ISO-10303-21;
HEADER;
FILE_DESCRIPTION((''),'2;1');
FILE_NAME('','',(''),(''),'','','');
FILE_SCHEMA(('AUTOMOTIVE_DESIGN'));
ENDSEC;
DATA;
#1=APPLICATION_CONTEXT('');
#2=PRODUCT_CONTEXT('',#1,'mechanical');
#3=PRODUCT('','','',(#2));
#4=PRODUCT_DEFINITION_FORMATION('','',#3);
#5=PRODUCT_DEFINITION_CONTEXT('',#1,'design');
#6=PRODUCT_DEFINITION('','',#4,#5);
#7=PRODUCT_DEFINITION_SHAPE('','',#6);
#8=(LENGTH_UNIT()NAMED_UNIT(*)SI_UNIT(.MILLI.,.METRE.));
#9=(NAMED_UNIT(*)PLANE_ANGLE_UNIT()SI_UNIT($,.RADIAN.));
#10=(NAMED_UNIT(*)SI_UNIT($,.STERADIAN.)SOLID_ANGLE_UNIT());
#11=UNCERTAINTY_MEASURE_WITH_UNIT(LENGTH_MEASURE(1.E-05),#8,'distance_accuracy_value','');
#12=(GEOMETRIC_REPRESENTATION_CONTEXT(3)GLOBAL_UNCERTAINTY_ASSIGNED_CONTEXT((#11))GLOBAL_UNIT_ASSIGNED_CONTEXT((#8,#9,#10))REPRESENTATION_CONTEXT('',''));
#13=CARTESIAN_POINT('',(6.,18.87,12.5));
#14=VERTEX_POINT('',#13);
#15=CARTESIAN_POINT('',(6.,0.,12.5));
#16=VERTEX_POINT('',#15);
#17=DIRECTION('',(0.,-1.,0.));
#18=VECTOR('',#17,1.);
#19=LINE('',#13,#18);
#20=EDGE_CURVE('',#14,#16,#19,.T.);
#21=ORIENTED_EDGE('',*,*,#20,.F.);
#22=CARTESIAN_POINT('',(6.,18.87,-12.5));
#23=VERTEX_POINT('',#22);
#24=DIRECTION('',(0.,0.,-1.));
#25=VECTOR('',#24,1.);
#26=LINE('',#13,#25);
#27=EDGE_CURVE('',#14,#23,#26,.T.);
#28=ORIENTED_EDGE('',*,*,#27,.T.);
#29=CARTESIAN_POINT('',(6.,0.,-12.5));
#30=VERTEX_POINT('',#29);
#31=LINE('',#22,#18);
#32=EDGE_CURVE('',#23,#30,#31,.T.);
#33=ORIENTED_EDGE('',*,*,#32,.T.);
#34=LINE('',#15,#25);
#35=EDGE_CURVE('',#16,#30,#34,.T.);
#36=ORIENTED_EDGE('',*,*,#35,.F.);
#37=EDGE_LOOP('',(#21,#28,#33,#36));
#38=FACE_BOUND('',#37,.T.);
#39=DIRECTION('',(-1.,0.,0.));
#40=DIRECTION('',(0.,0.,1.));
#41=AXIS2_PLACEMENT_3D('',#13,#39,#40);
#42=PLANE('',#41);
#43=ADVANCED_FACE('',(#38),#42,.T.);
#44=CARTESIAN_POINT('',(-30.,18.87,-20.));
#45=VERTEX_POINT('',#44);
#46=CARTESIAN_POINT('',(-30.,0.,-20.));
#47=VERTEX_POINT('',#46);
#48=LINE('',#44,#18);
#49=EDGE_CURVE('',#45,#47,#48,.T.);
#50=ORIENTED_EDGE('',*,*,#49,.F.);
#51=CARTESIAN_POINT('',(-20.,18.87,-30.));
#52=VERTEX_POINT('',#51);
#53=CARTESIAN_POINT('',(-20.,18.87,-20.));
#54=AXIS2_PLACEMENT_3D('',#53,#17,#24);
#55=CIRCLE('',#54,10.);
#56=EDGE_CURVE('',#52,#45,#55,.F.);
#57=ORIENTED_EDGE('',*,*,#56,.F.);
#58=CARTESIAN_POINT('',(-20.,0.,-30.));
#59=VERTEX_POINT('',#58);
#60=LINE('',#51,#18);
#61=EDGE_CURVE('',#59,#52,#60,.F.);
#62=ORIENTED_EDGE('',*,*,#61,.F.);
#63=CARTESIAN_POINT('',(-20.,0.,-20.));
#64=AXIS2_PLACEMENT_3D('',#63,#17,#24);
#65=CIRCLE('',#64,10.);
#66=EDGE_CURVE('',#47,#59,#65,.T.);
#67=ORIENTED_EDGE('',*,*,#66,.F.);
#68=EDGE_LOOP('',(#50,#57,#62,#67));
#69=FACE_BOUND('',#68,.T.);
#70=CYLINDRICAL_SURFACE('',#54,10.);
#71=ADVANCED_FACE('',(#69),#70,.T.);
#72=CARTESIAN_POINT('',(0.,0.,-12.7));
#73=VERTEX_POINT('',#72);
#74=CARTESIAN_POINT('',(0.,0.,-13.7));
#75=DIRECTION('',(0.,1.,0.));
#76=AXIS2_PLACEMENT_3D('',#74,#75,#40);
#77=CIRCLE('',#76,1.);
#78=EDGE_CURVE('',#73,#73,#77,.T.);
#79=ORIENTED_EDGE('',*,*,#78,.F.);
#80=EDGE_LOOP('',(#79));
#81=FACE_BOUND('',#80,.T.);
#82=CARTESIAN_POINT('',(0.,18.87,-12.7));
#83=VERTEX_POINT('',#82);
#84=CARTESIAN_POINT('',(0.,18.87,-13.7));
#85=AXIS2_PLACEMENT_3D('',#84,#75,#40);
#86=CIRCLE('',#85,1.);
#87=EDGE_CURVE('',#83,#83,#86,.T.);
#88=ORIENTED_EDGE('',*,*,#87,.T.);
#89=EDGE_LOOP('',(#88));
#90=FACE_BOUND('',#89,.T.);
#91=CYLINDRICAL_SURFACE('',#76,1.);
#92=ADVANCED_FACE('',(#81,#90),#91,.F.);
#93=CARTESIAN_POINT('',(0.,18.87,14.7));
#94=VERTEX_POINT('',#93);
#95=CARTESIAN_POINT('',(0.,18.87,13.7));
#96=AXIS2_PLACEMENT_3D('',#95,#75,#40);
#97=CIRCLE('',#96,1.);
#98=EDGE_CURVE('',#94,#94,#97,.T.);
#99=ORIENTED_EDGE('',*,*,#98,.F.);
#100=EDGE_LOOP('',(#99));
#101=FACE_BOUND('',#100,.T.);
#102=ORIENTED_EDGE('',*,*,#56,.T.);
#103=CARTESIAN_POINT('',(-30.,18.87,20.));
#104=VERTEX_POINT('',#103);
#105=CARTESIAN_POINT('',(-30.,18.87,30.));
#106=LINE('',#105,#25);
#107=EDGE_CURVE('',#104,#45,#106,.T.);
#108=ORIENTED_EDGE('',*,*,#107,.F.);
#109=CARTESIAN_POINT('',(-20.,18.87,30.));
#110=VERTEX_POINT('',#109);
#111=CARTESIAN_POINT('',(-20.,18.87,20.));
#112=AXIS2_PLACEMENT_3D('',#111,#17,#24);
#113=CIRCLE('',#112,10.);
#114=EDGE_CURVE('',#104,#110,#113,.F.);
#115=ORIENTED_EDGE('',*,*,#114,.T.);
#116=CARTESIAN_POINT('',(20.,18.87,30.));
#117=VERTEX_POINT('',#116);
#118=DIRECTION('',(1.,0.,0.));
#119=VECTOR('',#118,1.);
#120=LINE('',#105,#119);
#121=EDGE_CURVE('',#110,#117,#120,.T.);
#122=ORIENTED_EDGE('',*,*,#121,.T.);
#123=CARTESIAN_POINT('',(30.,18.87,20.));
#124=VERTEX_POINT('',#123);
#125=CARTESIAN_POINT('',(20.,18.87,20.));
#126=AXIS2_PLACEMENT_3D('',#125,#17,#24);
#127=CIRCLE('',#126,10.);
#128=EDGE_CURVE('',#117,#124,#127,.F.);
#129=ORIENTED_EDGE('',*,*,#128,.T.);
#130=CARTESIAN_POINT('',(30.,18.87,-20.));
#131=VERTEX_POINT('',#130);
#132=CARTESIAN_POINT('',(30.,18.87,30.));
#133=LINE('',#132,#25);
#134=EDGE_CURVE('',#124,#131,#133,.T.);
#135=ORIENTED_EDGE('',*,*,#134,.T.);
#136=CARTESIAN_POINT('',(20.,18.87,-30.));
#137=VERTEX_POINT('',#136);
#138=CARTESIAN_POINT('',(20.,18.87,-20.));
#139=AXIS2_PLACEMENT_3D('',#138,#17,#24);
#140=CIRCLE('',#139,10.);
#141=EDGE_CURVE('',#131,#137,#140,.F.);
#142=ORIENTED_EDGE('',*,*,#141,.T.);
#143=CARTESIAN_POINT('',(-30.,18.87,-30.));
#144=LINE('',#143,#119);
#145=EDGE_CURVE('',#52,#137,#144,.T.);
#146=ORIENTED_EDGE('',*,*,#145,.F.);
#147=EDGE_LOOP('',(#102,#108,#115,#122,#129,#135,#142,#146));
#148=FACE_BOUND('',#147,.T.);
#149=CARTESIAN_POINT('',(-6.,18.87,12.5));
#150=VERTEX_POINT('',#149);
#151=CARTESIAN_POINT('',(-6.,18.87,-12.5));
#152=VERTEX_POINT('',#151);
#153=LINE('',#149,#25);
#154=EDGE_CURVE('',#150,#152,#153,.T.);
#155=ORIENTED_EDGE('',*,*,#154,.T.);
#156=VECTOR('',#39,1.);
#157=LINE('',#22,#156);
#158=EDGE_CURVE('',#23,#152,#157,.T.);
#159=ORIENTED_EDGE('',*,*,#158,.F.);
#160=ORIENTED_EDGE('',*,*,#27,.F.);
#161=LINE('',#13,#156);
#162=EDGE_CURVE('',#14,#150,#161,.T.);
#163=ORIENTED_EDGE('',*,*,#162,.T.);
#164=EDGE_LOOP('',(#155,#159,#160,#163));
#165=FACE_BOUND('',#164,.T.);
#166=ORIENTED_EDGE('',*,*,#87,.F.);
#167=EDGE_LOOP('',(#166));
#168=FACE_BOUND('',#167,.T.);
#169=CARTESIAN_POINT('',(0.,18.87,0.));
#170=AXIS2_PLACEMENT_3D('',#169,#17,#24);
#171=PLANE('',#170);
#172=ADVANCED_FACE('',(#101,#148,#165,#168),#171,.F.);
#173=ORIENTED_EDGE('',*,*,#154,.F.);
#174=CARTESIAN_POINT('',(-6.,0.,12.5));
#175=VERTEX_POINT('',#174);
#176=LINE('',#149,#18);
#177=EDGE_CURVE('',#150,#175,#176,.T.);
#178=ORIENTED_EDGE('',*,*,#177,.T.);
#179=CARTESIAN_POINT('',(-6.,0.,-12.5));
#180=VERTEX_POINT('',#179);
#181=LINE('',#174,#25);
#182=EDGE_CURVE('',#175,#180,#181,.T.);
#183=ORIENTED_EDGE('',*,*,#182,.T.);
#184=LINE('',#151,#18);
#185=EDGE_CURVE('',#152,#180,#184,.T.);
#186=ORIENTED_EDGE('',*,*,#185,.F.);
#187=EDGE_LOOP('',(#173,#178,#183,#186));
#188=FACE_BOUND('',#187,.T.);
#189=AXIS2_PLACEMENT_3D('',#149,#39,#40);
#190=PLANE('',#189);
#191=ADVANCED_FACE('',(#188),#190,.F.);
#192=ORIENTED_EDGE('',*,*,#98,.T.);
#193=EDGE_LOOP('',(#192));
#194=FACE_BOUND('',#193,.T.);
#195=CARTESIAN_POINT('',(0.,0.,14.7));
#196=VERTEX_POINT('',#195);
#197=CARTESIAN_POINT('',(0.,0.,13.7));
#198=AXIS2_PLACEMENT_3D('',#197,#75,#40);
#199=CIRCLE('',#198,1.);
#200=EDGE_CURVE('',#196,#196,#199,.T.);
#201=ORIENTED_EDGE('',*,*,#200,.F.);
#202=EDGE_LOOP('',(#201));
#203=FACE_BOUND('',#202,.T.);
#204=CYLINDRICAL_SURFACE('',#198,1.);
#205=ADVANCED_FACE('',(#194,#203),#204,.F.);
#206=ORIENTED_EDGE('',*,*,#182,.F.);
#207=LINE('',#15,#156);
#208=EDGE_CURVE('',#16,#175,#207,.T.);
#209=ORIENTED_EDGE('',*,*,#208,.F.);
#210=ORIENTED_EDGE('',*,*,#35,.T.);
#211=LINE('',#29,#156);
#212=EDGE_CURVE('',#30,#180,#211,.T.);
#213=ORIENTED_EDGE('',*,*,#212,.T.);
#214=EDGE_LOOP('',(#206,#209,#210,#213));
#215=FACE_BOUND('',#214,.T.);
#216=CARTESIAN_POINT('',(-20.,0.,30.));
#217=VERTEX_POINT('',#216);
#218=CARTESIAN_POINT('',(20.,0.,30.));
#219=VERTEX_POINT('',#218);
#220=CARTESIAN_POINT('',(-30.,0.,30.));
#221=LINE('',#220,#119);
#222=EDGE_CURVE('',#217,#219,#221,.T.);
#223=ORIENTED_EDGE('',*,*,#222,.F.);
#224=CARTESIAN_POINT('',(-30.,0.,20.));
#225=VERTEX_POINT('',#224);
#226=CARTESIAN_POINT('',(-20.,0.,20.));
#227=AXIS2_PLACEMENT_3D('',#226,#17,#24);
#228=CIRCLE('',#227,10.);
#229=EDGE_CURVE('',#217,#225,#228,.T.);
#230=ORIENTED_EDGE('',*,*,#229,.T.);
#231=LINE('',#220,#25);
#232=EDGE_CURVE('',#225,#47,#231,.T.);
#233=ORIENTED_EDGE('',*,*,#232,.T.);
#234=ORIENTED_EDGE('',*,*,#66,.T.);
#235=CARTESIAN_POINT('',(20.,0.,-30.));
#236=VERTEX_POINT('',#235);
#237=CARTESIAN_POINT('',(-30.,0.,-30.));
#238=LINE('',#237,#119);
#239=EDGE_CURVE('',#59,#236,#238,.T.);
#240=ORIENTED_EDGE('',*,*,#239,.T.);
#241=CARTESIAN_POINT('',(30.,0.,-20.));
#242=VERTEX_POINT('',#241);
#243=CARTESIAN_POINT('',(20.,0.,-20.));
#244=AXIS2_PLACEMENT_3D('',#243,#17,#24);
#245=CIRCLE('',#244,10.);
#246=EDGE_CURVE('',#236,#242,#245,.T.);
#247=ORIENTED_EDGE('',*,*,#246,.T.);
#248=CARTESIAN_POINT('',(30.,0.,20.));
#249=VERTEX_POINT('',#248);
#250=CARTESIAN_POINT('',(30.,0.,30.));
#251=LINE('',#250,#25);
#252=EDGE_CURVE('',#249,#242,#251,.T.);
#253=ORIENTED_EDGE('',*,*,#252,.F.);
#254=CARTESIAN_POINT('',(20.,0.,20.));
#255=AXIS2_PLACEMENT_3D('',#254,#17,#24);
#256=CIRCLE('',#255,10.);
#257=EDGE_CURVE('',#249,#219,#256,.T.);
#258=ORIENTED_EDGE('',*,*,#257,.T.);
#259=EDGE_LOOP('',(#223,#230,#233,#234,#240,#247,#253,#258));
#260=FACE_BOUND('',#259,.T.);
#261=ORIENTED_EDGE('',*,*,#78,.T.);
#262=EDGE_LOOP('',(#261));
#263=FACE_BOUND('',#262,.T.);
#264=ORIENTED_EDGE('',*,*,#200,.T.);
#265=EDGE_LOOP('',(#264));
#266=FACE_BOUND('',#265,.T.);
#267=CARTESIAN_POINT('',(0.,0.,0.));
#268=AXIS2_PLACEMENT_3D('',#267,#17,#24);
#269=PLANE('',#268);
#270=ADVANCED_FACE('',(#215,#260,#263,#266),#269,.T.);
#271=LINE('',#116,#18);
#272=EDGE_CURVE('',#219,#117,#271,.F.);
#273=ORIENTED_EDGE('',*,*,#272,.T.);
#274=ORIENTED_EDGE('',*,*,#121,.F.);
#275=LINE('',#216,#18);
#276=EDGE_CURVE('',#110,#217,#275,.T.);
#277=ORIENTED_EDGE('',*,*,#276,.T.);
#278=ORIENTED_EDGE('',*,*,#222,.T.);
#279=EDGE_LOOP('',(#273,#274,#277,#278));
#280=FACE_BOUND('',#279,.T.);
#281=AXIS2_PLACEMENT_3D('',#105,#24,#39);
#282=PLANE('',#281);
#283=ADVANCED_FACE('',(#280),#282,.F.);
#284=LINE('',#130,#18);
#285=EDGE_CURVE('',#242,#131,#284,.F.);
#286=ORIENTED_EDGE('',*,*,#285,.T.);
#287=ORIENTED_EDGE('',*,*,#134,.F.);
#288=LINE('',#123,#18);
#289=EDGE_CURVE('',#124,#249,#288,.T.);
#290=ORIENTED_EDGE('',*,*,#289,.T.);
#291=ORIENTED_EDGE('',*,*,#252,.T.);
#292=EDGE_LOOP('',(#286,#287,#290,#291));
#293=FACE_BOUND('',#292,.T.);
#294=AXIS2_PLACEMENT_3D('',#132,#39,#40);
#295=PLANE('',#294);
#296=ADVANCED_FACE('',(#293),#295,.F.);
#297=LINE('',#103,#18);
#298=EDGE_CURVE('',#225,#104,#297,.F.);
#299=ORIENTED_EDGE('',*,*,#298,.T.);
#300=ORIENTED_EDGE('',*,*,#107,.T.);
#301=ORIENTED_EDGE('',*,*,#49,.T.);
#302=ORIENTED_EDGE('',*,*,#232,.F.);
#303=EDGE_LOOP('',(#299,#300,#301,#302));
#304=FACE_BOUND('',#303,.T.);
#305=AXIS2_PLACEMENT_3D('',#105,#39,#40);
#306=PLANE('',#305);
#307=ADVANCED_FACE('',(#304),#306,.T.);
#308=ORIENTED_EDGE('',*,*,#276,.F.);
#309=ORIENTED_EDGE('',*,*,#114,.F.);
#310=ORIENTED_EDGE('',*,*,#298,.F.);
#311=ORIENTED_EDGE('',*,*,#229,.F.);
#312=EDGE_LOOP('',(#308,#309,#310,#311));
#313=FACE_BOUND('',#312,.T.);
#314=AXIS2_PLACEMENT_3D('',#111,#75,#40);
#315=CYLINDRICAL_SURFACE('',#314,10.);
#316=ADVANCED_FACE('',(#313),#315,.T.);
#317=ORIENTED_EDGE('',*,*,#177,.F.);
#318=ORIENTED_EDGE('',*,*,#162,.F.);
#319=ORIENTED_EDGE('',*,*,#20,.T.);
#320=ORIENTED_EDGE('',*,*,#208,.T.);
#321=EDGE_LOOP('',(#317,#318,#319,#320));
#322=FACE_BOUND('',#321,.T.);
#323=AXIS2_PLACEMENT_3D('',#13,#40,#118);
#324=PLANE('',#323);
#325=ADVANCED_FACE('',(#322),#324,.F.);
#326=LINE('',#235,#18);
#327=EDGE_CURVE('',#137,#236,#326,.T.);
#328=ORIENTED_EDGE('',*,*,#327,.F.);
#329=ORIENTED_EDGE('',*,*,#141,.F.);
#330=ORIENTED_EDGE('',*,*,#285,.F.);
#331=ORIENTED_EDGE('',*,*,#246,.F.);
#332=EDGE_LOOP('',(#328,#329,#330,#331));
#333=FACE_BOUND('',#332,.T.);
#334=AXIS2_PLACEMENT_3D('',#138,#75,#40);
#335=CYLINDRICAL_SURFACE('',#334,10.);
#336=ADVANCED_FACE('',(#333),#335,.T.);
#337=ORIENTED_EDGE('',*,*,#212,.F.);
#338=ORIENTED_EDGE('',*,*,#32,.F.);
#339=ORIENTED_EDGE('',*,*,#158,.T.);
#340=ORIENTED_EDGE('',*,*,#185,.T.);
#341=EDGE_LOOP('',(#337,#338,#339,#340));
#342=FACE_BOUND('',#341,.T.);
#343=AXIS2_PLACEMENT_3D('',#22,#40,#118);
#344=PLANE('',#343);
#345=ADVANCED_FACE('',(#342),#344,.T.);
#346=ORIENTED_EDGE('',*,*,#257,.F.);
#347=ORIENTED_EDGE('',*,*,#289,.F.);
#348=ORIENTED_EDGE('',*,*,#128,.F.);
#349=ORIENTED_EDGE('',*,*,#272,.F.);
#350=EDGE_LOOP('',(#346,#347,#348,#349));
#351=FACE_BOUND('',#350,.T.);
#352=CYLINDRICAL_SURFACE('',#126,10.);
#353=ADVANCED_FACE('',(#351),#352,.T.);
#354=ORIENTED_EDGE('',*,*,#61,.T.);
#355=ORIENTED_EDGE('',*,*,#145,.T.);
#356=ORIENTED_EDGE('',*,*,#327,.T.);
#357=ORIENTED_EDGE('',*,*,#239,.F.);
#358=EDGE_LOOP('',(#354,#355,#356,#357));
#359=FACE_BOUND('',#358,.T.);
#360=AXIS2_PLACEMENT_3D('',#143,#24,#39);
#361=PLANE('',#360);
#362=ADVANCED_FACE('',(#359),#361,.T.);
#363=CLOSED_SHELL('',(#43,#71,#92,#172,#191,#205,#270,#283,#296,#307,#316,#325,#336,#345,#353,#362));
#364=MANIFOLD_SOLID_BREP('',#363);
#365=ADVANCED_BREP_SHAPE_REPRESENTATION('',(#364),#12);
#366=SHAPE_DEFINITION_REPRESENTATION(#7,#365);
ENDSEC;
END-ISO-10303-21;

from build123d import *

# Parameters (mm, degrees)
SKETCH1_W           = 60
SKETCH1_H           = 60
BOSS_EXTRUDE1_DEPTH = 18.87
FILLET1_R           = 10
SKETCH3_W           = 12
SKETCH3_H           = 25
CUT_EXTRUDE1_DEPTH  = 47.433575137
SKETCH5_R           = 1
CUT_EXTRUDE2_DEPTH  = 47.433575137
SKETCH8_R           = 1
CUT_EXTRUDE3_DEPTH  = 47.433575137


with BuildPart() as part:
    # Sketch1 → Boss-Extrude1 (new body)
    with BuildSketch(Plane(origin=(0, 0, 0), x_dir=(1, 0, 0), z_dir=(0, 1, 0))):
        Rectangle(SKETCH1_W, SKETCH1_H)
    extrude(amount=BOSS_EXTRUDE1_DEPTH)

    # Fillet1
    fillet1_edges = [part.edges().sort_by_distance(p)[0] for p in [
        (-30, 9.435, 30),
        (30, 9.435, 30),
        (30, 9.435, -30),
        (-30, 9.435, -30),
    ]]
    fillet(fillet1_edges, radius=FILLET1_R)

    # Sketch3 → Cut-Extrude1 (cut, through all)
    with BuildSketch(Plane(origin=(0, 0, 0), x_dir=(-1, 0, 0), z_dir=(0, -1, 0))):
        Rectangle(SKETCH3_W, SKETCH3_H)
    extrude(amount=-CUT_EXTRUDE1_DEPTH, mode=Mode.SUBTRACT)

    # Sketch5 → Cut-Extrude2 (cut, through all)
    with BuildSketch(Plane(origin=(0, 18.87, 0), x_dir=(1, 0, 0), z_dir=(0, 1, 0))):
        with Locations(Location((0, 13.7, 0), (0, 0, 270))):
            Circle(SKETCH5_R)
    extrude(amount=-CUT_EXTRUDE2_DEPTH, mode=Mode.SUBTRACT)

    # Sketch8 → Cut-Extrude3 (cut, through all)
    with BuildSketch(Plane(origin=(0, 18.87, 0), x_dir=(1, 0, 0), z_dir=(0, 1, 0))):
        with Locations(Location((0, -13.7, 0), (0, 0, 270))):
            Circle(SKETCH8_R)
    extrude(amount=-CUT_EXTRUDE3_DEPTH, mode=Mode.SUBTRACT)


solid = part.part
